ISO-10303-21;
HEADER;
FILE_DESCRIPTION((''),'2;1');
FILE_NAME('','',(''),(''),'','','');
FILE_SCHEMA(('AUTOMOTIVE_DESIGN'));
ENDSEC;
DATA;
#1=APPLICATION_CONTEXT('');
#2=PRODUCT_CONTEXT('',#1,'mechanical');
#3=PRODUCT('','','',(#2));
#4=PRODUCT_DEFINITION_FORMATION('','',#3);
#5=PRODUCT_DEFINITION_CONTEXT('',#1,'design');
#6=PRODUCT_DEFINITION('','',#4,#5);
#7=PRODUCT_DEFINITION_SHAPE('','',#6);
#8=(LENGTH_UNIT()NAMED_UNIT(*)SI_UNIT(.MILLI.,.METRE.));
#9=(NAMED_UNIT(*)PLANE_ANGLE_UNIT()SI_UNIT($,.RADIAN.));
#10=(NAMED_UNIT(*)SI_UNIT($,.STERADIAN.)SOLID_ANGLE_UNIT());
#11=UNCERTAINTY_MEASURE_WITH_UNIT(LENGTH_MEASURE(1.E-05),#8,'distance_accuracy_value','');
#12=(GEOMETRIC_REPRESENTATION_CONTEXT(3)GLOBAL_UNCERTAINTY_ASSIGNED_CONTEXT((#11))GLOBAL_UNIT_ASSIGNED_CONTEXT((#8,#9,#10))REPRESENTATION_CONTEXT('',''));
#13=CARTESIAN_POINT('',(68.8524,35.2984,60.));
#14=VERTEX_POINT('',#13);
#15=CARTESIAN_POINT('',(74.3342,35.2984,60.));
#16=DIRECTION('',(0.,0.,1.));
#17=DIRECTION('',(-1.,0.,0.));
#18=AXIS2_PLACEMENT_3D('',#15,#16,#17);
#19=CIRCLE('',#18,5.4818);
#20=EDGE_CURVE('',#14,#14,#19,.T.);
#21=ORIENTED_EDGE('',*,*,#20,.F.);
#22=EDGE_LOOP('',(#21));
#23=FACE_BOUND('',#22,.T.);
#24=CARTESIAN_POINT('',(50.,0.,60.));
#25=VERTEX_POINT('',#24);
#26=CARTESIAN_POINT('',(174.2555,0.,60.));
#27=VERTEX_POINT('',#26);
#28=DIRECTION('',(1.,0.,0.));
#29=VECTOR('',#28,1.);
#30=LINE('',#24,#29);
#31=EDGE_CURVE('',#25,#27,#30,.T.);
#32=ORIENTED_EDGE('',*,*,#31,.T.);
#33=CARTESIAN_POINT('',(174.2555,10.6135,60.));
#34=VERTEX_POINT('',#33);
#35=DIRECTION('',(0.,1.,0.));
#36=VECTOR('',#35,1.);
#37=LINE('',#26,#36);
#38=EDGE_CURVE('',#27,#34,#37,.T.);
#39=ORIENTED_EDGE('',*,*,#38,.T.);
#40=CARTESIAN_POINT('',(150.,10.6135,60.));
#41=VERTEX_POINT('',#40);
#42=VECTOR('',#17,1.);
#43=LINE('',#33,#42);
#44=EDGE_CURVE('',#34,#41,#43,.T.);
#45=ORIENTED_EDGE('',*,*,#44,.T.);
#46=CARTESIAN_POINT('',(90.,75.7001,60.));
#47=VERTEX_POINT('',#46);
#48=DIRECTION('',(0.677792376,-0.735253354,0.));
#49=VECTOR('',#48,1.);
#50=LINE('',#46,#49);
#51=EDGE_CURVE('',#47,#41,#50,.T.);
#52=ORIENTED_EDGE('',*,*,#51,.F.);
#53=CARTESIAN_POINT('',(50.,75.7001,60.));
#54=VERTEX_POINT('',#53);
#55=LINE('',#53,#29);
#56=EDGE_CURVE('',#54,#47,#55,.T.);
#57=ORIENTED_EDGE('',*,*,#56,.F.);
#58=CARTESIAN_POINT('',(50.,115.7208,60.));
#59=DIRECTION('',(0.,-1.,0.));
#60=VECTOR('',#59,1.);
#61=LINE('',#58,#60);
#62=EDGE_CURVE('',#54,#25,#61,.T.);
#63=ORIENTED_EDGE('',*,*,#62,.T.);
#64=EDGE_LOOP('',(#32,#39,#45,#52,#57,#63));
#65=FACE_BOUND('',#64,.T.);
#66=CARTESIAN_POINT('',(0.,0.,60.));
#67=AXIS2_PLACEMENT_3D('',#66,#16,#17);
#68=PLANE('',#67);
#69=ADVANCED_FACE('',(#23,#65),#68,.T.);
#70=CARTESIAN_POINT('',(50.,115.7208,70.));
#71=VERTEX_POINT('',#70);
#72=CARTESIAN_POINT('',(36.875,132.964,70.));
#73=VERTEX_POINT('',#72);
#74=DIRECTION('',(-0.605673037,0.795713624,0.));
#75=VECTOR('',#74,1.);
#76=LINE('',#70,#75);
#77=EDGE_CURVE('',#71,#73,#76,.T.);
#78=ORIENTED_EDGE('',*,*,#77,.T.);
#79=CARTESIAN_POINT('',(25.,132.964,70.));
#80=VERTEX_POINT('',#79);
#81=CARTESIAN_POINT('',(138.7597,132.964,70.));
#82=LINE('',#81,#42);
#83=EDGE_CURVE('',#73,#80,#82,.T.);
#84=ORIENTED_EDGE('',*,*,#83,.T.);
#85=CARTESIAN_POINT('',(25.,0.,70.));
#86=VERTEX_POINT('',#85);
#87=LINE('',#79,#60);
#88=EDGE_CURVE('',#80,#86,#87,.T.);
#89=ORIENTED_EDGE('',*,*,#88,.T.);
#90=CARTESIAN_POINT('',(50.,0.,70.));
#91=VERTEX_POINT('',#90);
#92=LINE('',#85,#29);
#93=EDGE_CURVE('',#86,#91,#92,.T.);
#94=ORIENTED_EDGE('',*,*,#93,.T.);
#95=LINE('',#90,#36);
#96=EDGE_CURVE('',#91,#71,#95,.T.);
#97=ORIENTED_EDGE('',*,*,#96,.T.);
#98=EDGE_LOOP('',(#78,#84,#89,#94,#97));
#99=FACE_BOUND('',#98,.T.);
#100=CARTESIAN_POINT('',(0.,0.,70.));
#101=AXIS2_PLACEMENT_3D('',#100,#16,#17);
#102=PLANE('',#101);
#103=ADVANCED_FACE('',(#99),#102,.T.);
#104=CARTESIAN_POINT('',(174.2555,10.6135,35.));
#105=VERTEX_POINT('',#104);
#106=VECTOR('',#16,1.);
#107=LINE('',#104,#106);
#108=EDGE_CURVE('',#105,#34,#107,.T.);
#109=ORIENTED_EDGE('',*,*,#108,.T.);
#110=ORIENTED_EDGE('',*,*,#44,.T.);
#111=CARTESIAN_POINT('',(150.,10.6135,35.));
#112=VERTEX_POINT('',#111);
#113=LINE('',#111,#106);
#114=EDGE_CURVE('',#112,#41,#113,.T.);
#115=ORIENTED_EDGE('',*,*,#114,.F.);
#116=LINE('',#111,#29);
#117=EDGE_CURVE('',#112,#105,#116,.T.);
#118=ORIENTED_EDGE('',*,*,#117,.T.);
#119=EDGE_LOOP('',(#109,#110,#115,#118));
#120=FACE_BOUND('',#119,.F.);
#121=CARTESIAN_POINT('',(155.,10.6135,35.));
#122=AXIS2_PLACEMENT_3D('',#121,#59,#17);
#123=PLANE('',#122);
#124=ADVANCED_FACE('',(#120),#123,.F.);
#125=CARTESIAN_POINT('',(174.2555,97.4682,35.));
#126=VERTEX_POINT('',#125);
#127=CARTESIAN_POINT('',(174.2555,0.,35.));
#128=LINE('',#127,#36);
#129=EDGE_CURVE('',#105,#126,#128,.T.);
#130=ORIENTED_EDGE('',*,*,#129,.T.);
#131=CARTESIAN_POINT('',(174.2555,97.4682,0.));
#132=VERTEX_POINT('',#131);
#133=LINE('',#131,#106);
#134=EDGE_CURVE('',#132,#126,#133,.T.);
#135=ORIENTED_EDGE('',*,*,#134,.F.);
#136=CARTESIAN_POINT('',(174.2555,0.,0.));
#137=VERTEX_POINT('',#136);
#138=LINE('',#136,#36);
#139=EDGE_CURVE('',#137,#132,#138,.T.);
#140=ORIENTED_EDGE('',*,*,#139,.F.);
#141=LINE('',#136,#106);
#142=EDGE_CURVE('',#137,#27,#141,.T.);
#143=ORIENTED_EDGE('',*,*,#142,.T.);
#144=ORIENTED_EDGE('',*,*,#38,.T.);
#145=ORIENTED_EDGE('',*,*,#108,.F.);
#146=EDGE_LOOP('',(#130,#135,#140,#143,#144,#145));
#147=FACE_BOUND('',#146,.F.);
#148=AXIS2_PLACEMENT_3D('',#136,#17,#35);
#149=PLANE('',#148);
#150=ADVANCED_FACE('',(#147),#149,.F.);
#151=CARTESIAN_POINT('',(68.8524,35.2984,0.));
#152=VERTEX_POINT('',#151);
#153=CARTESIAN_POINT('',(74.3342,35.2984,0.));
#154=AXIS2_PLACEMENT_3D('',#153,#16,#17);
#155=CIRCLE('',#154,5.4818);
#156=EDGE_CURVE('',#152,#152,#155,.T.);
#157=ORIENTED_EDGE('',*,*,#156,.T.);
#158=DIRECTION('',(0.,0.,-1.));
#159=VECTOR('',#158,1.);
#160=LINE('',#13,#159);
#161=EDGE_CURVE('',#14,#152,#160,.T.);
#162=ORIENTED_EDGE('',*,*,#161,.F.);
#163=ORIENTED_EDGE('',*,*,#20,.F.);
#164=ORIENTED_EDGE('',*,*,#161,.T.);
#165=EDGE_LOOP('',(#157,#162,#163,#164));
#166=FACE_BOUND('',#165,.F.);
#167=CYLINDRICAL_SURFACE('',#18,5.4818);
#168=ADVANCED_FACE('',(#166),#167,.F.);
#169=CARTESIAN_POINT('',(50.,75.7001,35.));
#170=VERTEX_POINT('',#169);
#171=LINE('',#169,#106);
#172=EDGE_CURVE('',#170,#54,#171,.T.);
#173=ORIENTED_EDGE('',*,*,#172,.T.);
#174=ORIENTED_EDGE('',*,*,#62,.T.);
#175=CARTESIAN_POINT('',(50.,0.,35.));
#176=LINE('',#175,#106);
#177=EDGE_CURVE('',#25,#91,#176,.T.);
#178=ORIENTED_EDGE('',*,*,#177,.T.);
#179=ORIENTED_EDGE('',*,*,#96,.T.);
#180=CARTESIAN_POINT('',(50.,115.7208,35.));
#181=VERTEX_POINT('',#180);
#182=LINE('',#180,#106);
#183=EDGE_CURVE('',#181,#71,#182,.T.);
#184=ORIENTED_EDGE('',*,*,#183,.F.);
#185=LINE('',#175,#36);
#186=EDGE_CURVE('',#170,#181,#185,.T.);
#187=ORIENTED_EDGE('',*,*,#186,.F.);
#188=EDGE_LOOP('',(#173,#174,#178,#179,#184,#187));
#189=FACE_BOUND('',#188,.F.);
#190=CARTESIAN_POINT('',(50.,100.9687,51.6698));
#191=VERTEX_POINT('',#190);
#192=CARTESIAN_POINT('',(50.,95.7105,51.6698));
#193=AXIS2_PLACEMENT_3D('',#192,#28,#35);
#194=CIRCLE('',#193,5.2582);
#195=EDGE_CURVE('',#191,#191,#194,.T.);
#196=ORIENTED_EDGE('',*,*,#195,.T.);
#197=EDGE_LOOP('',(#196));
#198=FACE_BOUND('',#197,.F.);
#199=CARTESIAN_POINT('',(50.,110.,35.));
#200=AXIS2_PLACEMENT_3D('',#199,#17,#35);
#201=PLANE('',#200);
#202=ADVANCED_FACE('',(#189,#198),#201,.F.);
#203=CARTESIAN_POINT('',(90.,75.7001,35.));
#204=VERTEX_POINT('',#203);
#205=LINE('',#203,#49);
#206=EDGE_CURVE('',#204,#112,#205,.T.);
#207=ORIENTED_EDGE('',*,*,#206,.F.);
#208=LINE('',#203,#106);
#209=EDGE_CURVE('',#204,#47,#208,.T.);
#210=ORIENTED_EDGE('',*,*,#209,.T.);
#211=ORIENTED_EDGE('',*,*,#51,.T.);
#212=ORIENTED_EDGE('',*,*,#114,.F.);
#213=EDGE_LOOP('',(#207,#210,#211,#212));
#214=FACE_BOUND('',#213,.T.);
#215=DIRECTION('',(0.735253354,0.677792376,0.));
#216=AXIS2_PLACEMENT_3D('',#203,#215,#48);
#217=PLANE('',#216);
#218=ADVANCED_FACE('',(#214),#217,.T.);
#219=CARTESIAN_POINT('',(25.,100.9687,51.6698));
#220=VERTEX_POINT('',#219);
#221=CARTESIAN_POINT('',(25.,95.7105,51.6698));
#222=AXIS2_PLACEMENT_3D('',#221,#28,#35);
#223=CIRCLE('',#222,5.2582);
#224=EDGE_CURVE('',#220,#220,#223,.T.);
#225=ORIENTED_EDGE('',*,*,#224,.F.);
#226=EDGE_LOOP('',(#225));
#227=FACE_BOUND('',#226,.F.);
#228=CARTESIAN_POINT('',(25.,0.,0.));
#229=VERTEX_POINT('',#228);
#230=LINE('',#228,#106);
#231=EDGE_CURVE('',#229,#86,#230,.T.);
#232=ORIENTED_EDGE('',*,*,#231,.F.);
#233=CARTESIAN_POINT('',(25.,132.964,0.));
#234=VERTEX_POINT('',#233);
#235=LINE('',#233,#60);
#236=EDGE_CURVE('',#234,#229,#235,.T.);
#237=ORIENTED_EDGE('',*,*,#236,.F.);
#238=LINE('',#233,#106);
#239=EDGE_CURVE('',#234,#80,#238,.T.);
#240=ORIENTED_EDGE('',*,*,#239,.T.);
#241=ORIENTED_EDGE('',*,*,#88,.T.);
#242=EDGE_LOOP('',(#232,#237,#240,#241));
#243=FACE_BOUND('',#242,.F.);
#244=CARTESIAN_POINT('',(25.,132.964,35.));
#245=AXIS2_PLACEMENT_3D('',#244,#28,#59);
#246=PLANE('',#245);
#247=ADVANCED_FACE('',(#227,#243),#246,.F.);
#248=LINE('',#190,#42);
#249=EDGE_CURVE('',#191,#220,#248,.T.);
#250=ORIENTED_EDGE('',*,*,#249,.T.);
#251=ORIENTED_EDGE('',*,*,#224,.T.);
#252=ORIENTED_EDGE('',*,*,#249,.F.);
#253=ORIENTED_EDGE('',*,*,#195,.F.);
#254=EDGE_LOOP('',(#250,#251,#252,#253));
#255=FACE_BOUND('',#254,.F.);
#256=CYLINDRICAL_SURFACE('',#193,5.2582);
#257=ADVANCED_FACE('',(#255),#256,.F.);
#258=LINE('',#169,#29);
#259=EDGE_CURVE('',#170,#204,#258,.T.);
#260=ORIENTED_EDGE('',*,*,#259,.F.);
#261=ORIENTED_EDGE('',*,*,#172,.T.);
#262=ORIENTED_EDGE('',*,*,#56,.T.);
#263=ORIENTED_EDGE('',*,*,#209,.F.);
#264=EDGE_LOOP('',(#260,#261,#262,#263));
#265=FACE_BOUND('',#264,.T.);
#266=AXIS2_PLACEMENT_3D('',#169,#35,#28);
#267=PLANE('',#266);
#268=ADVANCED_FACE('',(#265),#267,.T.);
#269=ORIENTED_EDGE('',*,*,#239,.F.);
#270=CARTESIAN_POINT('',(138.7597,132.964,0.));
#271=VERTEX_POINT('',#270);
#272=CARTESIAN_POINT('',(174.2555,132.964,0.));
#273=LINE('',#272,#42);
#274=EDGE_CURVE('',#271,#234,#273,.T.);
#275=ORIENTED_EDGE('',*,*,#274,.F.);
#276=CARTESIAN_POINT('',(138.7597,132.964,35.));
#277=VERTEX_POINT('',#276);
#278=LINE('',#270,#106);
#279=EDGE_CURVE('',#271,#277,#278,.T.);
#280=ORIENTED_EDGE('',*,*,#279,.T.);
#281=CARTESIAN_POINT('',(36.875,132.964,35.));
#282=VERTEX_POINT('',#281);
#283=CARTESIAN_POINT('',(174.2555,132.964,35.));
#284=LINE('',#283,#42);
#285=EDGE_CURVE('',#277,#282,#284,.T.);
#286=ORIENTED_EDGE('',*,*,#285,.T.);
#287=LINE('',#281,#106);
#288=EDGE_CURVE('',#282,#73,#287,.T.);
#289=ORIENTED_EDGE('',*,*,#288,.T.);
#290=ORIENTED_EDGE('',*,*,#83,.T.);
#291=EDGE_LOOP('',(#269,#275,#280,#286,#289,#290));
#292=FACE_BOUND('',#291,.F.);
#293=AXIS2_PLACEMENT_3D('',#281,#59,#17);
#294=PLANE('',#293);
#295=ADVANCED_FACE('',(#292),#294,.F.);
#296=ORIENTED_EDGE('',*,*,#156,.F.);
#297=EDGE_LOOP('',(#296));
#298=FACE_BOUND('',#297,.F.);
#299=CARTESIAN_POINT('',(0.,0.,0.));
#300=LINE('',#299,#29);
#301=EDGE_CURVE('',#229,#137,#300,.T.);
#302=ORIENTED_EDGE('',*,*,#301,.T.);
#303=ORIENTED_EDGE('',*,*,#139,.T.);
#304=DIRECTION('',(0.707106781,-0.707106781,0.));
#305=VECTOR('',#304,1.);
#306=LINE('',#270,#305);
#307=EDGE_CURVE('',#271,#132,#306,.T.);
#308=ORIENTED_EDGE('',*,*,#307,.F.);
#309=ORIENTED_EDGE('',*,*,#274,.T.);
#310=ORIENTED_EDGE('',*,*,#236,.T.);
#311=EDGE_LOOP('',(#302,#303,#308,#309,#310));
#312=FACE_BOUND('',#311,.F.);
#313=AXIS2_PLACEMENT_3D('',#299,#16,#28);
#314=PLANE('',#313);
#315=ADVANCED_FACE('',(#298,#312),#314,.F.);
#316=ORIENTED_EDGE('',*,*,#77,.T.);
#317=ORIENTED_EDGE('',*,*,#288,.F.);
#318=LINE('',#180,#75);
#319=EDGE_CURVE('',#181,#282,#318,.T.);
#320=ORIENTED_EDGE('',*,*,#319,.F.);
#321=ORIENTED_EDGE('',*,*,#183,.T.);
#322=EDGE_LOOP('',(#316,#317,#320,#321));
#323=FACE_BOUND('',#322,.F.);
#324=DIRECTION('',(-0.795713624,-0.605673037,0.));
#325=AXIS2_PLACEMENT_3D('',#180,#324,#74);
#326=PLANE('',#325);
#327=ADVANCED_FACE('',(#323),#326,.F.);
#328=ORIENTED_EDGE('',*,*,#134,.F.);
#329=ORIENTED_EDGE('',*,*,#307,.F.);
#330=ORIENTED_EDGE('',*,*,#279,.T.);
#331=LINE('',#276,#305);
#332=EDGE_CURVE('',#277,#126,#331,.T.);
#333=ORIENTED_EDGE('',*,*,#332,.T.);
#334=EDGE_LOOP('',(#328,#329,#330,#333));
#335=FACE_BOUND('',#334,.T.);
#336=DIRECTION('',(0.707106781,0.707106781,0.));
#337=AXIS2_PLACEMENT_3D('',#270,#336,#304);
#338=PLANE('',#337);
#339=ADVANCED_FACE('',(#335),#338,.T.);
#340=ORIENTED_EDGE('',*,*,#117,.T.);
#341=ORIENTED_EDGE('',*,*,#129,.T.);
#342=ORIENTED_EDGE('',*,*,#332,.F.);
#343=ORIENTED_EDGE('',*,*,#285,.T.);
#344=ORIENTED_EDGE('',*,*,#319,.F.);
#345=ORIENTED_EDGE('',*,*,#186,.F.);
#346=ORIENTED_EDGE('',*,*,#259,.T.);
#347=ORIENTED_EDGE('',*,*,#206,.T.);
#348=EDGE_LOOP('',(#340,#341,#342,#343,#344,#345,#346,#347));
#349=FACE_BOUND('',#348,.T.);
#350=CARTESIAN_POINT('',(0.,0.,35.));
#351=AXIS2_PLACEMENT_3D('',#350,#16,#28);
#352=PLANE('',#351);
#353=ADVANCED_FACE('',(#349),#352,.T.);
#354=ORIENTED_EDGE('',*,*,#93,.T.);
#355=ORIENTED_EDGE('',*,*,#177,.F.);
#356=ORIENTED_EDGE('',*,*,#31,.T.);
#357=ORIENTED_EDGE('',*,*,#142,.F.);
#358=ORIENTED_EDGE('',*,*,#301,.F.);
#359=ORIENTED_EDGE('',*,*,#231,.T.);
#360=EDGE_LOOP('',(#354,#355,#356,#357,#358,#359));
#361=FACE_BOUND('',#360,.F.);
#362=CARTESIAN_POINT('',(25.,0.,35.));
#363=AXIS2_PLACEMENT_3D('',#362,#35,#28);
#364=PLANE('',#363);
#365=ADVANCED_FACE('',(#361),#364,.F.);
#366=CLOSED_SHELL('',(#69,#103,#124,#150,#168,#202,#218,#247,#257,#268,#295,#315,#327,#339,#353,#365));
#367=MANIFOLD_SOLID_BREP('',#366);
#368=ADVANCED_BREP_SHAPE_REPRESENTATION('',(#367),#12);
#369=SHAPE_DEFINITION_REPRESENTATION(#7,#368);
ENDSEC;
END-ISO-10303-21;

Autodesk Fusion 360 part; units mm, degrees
sketch "Sketch1" plane through (0, 0, 0) normal (0, 0, 1) x (1, 0, 0)
  line L0 (0, 0) -> (174.2555, 0)
  line L1 (174.2555, 0) -> (174.2555, 132.964)
  line L2 (174.2555, 132.964) -> (0, 132.964)
  line L3 (0, 132.964) -> (0, 0)
  line L4 (138.7597, 132.964) -> (174.2555, 97.4682)
  line L5 (138.7597, 132.964) -> (188.9583, 132.964) construction
  dimension "d1" = 45
extrude "Extrude1" add sketch "Sketch1" along normal blind 35 contours L0 L1 L2 L3 L4
extrude "Extrude2" cut 1 faces at (0, 88.6427, 11.6667) along direction (1, 0, 0) blind 25
sketch "Sketch2" plane through (0, 0, 35) normal (0, 0, 1) x (-1, 0, 0)
  line L0 (-25, -132.964) -> (-25, 0)
  line L1 (-25, 0) -> (-174.2555, 0)
  line L2 (-174.2555, 0) -> (-174.2555, -97.4682)
  line L3 (-174.2555, -97.4682) -> (-138.7597, -132.964)
  line L4 (-138.7597, -132.964) -> (-25, -132.964)
  line L5 (-25, -132.964) -> (-25, 0)
  line L6 (-50, 0) -> (-50, -110)
  line L7 (-50, -110) -> (-50, -115.7208)
  line L8 (-50, -115.7208) -> (-36.875, -132.964)
extrude "Extrude3" add sketch "Sketch2" along normal blind 35 contours L0 L1 L4 L5 L6 L7 L8
sketch "Sketch3" plane through (0, 0, 35) normal (0, 0, 1) x (-1, 0, 0)
  line L0 (-36.875, -132.964) -> (-50, -115.7208)
  line L1 (-50, -115.7208) -> (-50, 0)
  line L2 (-50, 0) -> (-174.2555, 0)
  line L3 (-174.2555, 0) -> (-174.2555, -97.4682)
  line L4 (-174.2555, -97.4682) -> (-138.7597, -132.964)
  line L5 (-138.7597, -132.964) -> (-36.875, -132.964)
  line L6 (-174.2555, -10.6135) -> (-155, -10.6135)
  line L7 (-50, 0) -> (-174.2555, 0)
  line L8 (-155, -10.6135) -> (-150, -10.6135)
  line L9 (-50, -75.7001) -> (-90, -75.7001)
  line L10 (-90, -75.7001) -> (-150, -10.6135)
extrude "Extrude4" add sketch "Sketch3" along normal blind 25 contours L1 L2 L3 L6 L7 L8 L9 L10
sketch "Sketch4" plane through (50, 0, 0) normal (1, 0, 0) x (0, 1, 0)
  line L0 (75.7001, 60) -> (75.7001, 35)
  line L1 (75.7001, 35) -> (115.7208, 35)
  line L2 (115.7208, 35) -> (115.7208, 70)
  line L3 (115.7208, 70) -> (0, 70)
  line L4 (0, 70) -> (0, 60)
  line L5 (0, 60) -> (75.7001, 60)
  circle A0 centre (95.7105, 51.6698) radius 5.2582
extrude "Extrude5" cut sketch "Sketch4" against normal blind 50 contours A0
sketch "Sketch5" plane through (0, 0, 60) normal (0, 0, 1) x (-1, 0, 0)
  line L0 (-174.2555, -10.6135) -> (-150, -10.6135)
  line L1 (-150, -10.6135) -> (-90, -75.7001)
  line L2 (-90, -75.7001) -> (-50, -75.7001)
  line L3 (-50, -75.7001) -> (-50, 0)
  line L4 (-50, 0) -> (-174.2555, 0)
  line L5 (-174.2555, 0) -> (-174.2555, -10.6135)
  circle A0 centre (-74.3342, -35.2984) radius 5.4818
extrude "Extrude6" cut sketch "Sketch5" against normal blind 150 contours A0
